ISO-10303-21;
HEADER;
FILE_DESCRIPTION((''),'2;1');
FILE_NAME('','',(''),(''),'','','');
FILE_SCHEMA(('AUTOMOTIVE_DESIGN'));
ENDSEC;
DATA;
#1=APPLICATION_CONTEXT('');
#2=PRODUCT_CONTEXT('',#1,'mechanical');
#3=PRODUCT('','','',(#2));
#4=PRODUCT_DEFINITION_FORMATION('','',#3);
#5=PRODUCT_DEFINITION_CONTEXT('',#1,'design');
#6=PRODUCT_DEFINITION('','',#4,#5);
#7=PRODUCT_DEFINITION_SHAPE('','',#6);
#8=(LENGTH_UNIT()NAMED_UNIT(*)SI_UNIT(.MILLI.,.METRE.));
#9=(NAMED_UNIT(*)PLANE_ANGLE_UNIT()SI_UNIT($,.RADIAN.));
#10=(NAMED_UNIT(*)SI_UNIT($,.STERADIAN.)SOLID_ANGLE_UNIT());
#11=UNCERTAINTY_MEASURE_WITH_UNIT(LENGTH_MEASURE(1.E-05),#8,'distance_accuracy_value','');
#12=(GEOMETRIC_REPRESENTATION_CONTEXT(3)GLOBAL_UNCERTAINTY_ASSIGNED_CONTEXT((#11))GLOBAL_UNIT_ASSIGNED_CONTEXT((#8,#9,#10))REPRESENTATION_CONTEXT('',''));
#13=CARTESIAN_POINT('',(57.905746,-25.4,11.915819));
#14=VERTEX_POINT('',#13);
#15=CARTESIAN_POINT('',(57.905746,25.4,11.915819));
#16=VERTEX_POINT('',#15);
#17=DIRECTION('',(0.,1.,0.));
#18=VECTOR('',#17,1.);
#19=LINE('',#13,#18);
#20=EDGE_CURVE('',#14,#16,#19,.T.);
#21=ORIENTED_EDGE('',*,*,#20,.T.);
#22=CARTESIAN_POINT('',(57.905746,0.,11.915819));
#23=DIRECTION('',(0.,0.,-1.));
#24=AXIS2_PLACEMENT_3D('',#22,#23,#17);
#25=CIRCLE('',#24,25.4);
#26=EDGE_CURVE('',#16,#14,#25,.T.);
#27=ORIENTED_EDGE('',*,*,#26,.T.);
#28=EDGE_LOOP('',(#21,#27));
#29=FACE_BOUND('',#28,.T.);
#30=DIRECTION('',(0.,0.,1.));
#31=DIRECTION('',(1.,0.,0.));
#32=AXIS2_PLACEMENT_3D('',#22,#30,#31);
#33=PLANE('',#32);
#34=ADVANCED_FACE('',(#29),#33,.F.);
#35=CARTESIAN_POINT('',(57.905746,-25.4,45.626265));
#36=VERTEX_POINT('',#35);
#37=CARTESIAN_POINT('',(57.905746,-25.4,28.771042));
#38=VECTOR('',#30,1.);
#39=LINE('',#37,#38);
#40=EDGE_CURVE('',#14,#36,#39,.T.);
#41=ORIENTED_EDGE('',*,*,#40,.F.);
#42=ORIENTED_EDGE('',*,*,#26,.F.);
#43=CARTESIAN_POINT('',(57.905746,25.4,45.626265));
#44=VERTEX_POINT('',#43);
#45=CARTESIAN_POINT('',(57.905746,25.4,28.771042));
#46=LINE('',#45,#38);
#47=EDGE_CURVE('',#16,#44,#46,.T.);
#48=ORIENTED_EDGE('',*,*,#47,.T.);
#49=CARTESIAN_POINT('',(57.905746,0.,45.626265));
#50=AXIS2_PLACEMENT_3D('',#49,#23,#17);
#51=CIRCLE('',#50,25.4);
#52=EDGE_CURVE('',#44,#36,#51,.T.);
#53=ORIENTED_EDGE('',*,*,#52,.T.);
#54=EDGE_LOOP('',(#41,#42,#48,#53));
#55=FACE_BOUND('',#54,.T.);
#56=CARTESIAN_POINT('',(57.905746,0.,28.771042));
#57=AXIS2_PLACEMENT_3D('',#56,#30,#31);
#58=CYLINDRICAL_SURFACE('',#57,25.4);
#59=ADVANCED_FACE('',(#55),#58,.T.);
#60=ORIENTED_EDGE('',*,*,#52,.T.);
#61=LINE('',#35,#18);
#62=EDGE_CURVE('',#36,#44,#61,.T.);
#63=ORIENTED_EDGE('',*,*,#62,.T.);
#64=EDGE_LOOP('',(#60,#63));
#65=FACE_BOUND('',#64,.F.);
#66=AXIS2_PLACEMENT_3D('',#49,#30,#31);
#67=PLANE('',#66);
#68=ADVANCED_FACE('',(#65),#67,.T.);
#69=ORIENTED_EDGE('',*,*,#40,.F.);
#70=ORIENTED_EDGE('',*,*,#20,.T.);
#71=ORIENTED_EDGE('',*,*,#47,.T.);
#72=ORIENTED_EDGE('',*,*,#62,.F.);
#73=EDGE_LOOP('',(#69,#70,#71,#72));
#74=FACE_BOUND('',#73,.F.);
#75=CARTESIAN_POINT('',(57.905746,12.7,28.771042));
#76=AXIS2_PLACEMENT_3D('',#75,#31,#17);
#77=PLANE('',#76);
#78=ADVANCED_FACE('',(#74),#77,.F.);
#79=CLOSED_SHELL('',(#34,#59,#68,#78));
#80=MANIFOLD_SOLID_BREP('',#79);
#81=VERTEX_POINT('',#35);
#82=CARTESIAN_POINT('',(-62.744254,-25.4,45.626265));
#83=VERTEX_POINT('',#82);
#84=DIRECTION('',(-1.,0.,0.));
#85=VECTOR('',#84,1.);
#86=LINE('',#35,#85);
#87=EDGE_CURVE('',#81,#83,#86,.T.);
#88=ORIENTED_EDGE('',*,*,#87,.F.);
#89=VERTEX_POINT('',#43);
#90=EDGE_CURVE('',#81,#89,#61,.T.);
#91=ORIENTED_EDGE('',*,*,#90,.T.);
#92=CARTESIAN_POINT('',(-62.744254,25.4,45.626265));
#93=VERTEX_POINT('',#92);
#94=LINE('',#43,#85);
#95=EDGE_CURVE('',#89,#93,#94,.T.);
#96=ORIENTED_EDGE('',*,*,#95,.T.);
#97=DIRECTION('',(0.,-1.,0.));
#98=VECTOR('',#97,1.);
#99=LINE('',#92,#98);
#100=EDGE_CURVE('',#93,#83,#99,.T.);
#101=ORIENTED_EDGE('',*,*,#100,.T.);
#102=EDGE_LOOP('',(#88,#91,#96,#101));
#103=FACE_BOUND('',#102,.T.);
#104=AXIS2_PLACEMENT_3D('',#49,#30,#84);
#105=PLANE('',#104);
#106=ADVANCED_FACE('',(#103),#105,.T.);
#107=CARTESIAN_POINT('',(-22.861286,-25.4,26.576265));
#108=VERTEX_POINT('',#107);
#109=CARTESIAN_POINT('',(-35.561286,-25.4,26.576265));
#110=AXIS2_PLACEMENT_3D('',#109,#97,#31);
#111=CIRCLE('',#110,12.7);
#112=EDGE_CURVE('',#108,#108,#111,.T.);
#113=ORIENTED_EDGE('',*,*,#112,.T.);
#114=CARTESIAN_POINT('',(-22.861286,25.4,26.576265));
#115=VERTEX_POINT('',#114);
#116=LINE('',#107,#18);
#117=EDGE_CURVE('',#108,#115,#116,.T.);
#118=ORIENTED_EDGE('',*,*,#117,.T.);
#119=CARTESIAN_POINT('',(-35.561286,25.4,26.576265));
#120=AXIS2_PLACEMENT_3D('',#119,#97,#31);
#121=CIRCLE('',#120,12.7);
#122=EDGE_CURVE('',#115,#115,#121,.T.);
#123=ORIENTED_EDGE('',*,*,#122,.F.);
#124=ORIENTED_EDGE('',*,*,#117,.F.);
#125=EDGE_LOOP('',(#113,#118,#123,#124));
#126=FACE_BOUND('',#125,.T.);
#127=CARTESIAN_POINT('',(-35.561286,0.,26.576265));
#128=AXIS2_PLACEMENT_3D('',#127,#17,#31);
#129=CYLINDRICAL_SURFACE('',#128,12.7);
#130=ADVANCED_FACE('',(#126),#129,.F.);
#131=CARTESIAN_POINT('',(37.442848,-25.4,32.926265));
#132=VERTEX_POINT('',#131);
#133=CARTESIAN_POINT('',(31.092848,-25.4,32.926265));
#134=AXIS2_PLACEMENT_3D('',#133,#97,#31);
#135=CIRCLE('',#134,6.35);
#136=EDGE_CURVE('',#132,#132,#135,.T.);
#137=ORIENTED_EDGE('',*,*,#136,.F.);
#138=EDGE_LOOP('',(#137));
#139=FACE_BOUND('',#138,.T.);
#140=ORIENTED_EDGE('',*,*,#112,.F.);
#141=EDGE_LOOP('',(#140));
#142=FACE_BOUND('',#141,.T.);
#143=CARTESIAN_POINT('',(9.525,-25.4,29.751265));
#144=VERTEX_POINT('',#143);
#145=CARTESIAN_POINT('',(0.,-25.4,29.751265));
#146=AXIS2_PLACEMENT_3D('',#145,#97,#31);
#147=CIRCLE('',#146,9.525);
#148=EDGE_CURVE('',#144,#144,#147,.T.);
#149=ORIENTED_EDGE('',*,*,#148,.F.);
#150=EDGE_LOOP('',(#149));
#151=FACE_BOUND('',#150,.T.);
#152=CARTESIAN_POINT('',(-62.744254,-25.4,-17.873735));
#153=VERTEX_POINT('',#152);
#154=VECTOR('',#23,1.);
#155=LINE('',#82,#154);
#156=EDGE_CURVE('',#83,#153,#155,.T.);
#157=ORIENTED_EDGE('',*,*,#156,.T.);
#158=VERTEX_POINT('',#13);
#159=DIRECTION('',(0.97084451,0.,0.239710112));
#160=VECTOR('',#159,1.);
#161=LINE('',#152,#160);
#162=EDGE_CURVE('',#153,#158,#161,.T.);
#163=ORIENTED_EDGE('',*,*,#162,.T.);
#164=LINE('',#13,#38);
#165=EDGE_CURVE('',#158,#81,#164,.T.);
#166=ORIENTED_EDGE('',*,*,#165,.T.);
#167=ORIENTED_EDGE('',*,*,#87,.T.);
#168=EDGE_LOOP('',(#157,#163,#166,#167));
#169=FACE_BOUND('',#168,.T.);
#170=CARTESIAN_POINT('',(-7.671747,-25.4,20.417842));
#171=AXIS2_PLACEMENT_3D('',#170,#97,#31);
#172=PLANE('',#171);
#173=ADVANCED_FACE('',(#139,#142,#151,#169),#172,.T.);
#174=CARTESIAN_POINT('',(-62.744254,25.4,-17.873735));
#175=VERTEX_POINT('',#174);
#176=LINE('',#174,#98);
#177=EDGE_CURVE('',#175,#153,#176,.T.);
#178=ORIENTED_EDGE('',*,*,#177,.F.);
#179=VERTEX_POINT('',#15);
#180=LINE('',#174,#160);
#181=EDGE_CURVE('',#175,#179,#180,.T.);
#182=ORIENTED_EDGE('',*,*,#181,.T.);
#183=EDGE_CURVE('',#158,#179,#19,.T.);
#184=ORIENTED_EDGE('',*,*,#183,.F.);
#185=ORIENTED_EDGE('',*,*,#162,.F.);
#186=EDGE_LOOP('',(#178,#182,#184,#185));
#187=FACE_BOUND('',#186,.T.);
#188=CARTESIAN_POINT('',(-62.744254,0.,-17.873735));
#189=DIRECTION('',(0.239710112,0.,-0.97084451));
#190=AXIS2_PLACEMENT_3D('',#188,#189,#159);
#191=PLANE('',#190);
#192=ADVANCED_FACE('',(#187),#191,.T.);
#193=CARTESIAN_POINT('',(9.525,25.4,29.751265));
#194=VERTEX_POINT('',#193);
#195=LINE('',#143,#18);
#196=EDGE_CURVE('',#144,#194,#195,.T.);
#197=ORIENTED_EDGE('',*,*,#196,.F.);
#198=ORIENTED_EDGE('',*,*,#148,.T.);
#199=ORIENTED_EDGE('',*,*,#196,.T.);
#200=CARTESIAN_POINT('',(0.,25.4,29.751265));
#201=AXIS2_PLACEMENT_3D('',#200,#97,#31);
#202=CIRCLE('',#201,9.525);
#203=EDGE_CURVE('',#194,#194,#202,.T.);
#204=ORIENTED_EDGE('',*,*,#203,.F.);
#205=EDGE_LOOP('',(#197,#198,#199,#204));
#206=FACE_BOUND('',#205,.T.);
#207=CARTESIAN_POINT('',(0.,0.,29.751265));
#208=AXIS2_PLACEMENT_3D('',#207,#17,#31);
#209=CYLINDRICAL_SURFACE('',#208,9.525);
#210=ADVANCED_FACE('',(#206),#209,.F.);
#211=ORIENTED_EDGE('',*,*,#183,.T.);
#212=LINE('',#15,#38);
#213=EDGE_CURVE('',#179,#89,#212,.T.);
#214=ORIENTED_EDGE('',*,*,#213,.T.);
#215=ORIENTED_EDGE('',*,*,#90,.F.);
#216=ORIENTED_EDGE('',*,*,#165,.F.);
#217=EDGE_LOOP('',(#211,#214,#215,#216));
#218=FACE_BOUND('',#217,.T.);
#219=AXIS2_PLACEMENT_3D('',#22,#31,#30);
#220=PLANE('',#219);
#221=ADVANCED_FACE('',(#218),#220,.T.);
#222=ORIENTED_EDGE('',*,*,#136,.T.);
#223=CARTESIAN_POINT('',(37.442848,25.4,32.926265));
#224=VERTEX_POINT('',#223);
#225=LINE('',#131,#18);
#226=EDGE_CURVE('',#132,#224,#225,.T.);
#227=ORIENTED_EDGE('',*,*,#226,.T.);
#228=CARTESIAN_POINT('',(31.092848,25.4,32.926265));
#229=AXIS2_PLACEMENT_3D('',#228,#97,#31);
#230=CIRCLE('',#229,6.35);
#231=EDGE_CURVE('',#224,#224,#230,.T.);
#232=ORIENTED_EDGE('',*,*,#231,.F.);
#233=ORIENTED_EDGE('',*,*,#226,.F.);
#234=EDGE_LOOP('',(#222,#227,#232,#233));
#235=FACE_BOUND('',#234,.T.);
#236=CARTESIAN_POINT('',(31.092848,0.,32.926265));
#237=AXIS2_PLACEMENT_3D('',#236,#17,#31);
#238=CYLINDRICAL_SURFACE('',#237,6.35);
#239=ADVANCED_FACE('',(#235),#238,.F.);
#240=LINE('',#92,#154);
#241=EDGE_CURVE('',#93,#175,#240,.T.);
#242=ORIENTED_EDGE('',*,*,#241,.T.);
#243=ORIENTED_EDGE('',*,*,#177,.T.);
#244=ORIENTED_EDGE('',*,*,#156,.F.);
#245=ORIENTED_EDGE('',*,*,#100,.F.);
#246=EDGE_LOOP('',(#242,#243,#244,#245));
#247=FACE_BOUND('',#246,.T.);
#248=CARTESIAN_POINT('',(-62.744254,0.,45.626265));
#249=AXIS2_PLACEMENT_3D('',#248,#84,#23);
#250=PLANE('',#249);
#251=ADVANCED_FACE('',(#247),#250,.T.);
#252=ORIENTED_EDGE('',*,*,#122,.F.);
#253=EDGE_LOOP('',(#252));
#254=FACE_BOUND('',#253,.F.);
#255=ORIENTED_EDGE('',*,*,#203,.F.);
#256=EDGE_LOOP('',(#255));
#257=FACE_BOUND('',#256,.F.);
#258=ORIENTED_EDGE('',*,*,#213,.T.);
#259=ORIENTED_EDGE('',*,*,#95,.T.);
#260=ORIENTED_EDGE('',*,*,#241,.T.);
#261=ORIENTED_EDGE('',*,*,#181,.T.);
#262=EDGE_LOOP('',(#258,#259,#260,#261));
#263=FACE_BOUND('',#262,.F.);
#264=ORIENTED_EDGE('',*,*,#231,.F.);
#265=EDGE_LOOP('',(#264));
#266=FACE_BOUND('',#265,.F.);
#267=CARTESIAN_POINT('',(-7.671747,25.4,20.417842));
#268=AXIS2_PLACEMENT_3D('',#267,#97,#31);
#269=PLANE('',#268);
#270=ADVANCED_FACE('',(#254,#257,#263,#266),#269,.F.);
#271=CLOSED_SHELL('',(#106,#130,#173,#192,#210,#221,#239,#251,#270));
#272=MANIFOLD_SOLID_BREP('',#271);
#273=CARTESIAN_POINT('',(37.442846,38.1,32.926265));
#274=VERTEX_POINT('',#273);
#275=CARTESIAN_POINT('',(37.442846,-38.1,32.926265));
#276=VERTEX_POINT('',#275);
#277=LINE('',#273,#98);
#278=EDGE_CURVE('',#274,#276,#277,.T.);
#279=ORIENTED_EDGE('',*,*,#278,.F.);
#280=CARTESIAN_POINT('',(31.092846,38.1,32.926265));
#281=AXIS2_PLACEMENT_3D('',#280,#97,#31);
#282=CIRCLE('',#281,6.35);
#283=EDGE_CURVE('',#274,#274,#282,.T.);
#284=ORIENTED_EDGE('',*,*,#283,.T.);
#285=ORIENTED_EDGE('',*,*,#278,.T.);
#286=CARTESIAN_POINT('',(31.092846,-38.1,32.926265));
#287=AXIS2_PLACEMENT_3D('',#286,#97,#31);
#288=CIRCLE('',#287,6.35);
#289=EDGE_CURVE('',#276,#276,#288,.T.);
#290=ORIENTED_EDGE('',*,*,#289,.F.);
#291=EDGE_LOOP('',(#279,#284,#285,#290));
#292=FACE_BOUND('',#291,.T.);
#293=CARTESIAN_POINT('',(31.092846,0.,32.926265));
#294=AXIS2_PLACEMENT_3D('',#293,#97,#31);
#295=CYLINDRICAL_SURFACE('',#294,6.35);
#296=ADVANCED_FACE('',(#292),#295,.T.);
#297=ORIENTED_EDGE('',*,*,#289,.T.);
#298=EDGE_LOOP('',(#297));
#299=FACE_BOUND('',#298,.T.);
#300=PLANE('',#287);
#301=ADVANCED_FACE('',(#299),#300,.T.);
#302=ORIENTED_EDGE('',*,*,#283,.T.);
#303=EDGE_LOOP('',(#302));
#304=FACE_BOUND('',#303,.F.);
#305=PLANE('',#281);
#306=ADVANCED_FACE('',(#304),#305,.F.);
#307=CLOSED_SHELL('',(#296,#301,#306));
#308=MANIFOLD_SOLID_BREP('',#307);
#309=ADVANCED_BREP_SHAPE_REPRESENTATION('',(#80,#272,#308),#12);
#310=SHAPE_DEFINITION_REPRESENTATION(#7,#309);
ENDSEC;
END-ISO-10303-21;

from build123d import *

# Parameters (mm, degrees)
F0_R     = 12.7
F0_R_2   = 9.525
F0_R_3   = 6.35
F1_DEPTH = 25.4
F2_R     = 6.35
F3_DEPTH = 38.1
F0_W     = 25.4
F0_H     = 33.710446
F4_ANGLE = 180


with BuildPart() as f1:
    # F0 (on Front) → F1 (new body, symmetric)
    with BuildSketch(Plane.XZ):
        Polygon((57.905746, 45.626265), (-62.744254, 45.626265), (-62.744254, -17.873735), (57.905746, 11.915819), align=None)
        with Locations((-35.561286, 26.576265)):
            Circle(F0_R, mode=Mode.SUBTRACT)
        with Locations((0, 29.751265)):
            Circle(F0_R_2, mode=Mode.SUBTRACT)
        with Locations((31.092848, 32.926265)):
            Circle(F0_R_3, mode=Mode.SUBTRACT)
    extrude(amount=F1_DEPTH, both=True)


with BuildPart() as f3:
    # F2 (on Front) → F3 (new body, symmetric)
    with BuildSketch(Plane.XZ):
        with Locations((31.092846, 32.926265)):
            Circle(F2_R)
    extrude(amount=F3_DEPTH, both=True)


with BuildPart() as f4:
    # F0 (on Front) → F4 (revolve, symmetric)
    with BuildSketch(Plane.XZ) as f4_sk:
        with Locations((70.605746, 28.771042)):
            Rectangle(F0_W, F0_H)
    revolve(axis=Axis((57.905746, 0, 28.771042), (0, 0, -1)), revolution_arc=F4_ANGLE / 2)
    revolve(f4_sk.sketch, axis=Axis((57.905746, 0, 28.771042), (0, 0, 1)), revolution_arc=F4_ANGLE / 2)


solid = Compound([f1.part, f3.part, f4.part])
